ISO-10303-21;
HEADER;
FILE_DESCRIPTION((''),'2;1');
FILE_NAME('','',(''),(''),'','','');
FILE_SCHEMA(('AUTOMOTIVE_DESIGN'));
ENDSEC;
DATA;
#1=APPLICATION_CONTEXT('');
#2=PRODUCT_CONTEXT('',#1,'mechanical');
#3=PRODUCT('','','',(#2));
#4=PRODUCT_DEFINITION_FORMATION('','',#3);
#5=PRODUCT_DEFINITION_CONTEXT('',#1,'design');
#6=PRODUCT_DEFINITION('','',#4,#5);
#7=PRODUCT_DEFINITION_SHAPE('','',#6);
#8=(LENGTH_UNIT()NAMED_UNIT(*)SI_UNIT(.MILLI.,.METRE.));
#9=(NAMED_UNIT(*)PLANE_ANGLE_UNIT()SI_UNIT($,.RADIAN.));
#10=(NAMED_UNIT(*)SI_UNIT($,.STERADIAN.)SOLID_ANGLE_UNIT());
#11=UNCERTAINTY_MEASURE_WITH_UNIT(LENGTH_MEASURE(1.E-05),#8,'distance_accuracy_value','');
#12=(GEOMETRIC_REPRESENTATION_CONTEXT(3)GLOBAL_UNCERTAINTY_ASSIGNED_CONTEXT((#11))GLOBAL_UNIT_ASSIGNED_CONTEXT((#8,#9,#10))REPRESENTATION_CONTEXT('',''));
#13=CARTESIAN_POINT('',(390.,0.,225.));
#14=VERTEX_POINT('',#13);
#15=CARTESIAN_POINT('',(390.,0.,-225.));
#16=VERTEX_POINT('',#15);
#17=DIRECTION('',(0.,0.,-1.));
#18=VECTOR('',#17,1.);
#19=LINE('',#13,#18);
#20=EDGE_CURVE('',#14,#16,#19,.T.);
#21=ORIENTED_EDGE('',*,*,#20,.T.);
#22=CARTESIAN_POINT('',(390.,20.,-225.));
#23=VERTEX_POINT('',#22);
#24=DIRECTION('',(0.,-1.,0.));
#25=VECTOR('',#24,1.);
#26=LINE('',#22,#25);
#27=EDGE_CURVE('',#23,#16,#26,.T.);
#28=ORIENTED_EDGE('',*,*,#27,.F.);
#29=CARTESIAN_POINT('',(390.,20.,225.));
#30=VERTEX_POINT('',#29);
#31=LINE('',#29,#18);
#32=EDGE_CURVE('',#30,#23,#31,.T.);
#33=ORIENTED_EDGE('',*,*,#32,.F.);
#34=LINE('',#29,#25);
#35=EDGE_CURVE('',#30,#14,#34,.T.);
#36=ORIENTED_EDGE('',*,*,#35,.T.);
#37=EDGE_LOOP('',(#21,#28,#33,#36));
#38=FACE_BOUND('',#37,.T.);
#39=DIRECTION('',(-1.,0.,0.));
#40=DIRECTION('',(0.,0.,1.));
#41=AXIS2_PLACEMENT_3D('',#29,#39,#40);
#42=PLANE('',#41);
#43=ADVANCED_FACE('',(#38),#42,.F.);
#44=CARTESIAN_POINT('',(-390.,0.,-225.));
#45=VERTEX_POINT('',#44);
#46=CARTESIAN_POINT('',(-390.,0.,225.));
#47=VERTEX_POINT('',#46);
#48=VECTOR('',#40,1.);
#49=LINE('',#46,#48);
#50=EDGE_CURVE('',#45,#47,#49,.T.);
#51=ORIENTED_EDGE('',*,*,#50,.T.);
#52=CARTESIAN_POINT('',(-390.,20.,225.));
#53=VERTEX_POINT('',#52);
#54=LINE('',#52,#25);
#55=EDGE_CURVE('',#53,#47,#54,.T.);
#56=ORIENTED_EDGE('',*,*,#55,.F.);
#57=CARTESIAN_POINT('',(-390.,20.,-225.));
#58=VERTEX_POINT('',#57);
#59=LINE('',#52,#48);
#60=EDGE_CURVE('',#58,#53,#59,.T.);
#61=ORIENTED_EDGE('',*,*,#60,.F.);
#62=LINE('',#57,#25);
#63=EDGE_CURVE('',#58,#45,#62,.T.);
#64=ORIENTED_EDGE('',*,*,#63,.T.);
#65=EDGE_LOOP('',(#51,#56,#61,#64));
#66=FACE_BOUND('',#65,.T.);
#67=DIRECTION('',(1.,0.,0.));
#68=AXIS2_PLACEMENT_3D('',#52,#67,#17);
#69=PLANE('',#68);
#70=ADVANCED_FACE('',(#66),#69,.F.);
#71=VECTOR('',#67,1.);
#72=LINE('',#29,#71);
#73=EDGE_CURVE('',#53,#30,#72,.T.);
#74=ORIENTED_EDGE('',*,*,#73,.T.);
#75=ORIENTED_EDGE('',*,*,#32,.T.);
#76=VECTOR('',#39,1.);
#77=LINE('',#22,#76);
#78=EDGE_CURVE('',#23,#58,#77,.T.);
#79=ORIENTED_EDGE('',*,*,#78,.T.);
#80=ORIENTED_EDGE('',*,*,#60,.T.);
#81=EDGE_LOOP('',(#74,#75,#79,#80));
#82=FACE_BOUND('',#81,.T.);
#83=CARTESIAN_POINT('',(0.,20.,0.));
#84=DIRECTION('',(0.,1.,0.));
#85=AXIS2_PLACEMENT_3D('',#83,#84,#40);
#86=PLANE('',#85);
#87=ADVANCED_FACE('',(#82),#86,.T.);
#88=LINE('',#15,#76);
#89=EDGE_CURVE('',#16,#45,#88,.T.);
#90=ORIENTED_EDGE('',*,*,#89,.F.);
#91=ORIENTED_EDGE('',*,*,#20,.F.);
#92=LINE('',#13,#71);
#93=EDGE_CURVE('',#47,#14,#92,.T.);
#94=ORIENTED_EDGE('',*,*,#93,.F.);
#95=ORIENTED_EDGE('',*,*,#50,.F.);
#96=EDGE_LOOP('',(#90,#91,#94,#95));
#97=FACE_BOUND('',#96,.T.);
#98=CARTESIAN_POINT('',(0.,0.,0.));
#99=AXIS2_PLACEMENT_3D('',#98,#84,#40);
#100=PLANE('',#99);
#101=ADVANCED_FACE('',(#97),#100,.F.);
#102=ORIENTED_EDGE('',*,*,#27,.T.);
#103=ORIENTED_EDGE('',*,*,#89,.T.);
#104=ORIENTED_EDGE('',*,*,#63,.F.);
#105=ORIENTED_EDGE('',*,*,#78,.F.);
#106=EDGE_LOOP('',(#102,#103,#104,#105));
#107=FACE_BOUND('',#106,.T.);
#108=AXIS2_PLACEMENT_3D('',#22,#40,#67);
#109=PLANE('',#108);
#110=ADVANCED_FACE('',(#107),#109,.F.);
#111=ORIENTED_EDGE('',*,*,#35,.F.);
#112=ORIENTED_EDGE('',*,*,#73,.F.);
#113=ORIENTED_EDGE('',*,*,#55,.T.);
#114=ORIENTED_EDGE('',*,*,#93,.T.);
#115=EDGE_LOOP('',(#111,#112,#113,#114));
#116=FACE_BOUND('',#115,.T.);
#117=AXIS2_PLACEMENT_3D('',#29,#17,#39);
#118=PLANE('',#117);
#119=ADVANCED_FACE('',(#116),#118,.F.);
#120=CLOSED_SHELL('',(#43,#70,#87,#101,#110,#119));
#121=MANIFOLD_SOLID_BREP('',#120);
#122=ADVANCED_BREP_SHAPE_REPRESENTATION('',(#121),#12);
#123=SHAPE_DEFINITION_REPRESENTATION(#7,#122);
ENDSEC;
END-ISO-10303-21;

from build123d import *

# Parameters (mm, degrees)
CROQUIS1_W              = 780
CROQUIS1_H              = 450
SALIENTE_EXTRUIR1_DEPTH = 20


with BuildPart() as part:
    # Croquis1 → Saliente-Extruir1 (new body)
    with BuildSketch(Plane(origin=(0, 0, 0), x_dir=(1, 0, 0), z_dir=(0, 1, 0))):
        Rectangle(CROQUIS1_W, CROQUIS1_H)
    extrude(amount=SALIENTE_EXTRUIR1_DEPTH)


solid = part.part
